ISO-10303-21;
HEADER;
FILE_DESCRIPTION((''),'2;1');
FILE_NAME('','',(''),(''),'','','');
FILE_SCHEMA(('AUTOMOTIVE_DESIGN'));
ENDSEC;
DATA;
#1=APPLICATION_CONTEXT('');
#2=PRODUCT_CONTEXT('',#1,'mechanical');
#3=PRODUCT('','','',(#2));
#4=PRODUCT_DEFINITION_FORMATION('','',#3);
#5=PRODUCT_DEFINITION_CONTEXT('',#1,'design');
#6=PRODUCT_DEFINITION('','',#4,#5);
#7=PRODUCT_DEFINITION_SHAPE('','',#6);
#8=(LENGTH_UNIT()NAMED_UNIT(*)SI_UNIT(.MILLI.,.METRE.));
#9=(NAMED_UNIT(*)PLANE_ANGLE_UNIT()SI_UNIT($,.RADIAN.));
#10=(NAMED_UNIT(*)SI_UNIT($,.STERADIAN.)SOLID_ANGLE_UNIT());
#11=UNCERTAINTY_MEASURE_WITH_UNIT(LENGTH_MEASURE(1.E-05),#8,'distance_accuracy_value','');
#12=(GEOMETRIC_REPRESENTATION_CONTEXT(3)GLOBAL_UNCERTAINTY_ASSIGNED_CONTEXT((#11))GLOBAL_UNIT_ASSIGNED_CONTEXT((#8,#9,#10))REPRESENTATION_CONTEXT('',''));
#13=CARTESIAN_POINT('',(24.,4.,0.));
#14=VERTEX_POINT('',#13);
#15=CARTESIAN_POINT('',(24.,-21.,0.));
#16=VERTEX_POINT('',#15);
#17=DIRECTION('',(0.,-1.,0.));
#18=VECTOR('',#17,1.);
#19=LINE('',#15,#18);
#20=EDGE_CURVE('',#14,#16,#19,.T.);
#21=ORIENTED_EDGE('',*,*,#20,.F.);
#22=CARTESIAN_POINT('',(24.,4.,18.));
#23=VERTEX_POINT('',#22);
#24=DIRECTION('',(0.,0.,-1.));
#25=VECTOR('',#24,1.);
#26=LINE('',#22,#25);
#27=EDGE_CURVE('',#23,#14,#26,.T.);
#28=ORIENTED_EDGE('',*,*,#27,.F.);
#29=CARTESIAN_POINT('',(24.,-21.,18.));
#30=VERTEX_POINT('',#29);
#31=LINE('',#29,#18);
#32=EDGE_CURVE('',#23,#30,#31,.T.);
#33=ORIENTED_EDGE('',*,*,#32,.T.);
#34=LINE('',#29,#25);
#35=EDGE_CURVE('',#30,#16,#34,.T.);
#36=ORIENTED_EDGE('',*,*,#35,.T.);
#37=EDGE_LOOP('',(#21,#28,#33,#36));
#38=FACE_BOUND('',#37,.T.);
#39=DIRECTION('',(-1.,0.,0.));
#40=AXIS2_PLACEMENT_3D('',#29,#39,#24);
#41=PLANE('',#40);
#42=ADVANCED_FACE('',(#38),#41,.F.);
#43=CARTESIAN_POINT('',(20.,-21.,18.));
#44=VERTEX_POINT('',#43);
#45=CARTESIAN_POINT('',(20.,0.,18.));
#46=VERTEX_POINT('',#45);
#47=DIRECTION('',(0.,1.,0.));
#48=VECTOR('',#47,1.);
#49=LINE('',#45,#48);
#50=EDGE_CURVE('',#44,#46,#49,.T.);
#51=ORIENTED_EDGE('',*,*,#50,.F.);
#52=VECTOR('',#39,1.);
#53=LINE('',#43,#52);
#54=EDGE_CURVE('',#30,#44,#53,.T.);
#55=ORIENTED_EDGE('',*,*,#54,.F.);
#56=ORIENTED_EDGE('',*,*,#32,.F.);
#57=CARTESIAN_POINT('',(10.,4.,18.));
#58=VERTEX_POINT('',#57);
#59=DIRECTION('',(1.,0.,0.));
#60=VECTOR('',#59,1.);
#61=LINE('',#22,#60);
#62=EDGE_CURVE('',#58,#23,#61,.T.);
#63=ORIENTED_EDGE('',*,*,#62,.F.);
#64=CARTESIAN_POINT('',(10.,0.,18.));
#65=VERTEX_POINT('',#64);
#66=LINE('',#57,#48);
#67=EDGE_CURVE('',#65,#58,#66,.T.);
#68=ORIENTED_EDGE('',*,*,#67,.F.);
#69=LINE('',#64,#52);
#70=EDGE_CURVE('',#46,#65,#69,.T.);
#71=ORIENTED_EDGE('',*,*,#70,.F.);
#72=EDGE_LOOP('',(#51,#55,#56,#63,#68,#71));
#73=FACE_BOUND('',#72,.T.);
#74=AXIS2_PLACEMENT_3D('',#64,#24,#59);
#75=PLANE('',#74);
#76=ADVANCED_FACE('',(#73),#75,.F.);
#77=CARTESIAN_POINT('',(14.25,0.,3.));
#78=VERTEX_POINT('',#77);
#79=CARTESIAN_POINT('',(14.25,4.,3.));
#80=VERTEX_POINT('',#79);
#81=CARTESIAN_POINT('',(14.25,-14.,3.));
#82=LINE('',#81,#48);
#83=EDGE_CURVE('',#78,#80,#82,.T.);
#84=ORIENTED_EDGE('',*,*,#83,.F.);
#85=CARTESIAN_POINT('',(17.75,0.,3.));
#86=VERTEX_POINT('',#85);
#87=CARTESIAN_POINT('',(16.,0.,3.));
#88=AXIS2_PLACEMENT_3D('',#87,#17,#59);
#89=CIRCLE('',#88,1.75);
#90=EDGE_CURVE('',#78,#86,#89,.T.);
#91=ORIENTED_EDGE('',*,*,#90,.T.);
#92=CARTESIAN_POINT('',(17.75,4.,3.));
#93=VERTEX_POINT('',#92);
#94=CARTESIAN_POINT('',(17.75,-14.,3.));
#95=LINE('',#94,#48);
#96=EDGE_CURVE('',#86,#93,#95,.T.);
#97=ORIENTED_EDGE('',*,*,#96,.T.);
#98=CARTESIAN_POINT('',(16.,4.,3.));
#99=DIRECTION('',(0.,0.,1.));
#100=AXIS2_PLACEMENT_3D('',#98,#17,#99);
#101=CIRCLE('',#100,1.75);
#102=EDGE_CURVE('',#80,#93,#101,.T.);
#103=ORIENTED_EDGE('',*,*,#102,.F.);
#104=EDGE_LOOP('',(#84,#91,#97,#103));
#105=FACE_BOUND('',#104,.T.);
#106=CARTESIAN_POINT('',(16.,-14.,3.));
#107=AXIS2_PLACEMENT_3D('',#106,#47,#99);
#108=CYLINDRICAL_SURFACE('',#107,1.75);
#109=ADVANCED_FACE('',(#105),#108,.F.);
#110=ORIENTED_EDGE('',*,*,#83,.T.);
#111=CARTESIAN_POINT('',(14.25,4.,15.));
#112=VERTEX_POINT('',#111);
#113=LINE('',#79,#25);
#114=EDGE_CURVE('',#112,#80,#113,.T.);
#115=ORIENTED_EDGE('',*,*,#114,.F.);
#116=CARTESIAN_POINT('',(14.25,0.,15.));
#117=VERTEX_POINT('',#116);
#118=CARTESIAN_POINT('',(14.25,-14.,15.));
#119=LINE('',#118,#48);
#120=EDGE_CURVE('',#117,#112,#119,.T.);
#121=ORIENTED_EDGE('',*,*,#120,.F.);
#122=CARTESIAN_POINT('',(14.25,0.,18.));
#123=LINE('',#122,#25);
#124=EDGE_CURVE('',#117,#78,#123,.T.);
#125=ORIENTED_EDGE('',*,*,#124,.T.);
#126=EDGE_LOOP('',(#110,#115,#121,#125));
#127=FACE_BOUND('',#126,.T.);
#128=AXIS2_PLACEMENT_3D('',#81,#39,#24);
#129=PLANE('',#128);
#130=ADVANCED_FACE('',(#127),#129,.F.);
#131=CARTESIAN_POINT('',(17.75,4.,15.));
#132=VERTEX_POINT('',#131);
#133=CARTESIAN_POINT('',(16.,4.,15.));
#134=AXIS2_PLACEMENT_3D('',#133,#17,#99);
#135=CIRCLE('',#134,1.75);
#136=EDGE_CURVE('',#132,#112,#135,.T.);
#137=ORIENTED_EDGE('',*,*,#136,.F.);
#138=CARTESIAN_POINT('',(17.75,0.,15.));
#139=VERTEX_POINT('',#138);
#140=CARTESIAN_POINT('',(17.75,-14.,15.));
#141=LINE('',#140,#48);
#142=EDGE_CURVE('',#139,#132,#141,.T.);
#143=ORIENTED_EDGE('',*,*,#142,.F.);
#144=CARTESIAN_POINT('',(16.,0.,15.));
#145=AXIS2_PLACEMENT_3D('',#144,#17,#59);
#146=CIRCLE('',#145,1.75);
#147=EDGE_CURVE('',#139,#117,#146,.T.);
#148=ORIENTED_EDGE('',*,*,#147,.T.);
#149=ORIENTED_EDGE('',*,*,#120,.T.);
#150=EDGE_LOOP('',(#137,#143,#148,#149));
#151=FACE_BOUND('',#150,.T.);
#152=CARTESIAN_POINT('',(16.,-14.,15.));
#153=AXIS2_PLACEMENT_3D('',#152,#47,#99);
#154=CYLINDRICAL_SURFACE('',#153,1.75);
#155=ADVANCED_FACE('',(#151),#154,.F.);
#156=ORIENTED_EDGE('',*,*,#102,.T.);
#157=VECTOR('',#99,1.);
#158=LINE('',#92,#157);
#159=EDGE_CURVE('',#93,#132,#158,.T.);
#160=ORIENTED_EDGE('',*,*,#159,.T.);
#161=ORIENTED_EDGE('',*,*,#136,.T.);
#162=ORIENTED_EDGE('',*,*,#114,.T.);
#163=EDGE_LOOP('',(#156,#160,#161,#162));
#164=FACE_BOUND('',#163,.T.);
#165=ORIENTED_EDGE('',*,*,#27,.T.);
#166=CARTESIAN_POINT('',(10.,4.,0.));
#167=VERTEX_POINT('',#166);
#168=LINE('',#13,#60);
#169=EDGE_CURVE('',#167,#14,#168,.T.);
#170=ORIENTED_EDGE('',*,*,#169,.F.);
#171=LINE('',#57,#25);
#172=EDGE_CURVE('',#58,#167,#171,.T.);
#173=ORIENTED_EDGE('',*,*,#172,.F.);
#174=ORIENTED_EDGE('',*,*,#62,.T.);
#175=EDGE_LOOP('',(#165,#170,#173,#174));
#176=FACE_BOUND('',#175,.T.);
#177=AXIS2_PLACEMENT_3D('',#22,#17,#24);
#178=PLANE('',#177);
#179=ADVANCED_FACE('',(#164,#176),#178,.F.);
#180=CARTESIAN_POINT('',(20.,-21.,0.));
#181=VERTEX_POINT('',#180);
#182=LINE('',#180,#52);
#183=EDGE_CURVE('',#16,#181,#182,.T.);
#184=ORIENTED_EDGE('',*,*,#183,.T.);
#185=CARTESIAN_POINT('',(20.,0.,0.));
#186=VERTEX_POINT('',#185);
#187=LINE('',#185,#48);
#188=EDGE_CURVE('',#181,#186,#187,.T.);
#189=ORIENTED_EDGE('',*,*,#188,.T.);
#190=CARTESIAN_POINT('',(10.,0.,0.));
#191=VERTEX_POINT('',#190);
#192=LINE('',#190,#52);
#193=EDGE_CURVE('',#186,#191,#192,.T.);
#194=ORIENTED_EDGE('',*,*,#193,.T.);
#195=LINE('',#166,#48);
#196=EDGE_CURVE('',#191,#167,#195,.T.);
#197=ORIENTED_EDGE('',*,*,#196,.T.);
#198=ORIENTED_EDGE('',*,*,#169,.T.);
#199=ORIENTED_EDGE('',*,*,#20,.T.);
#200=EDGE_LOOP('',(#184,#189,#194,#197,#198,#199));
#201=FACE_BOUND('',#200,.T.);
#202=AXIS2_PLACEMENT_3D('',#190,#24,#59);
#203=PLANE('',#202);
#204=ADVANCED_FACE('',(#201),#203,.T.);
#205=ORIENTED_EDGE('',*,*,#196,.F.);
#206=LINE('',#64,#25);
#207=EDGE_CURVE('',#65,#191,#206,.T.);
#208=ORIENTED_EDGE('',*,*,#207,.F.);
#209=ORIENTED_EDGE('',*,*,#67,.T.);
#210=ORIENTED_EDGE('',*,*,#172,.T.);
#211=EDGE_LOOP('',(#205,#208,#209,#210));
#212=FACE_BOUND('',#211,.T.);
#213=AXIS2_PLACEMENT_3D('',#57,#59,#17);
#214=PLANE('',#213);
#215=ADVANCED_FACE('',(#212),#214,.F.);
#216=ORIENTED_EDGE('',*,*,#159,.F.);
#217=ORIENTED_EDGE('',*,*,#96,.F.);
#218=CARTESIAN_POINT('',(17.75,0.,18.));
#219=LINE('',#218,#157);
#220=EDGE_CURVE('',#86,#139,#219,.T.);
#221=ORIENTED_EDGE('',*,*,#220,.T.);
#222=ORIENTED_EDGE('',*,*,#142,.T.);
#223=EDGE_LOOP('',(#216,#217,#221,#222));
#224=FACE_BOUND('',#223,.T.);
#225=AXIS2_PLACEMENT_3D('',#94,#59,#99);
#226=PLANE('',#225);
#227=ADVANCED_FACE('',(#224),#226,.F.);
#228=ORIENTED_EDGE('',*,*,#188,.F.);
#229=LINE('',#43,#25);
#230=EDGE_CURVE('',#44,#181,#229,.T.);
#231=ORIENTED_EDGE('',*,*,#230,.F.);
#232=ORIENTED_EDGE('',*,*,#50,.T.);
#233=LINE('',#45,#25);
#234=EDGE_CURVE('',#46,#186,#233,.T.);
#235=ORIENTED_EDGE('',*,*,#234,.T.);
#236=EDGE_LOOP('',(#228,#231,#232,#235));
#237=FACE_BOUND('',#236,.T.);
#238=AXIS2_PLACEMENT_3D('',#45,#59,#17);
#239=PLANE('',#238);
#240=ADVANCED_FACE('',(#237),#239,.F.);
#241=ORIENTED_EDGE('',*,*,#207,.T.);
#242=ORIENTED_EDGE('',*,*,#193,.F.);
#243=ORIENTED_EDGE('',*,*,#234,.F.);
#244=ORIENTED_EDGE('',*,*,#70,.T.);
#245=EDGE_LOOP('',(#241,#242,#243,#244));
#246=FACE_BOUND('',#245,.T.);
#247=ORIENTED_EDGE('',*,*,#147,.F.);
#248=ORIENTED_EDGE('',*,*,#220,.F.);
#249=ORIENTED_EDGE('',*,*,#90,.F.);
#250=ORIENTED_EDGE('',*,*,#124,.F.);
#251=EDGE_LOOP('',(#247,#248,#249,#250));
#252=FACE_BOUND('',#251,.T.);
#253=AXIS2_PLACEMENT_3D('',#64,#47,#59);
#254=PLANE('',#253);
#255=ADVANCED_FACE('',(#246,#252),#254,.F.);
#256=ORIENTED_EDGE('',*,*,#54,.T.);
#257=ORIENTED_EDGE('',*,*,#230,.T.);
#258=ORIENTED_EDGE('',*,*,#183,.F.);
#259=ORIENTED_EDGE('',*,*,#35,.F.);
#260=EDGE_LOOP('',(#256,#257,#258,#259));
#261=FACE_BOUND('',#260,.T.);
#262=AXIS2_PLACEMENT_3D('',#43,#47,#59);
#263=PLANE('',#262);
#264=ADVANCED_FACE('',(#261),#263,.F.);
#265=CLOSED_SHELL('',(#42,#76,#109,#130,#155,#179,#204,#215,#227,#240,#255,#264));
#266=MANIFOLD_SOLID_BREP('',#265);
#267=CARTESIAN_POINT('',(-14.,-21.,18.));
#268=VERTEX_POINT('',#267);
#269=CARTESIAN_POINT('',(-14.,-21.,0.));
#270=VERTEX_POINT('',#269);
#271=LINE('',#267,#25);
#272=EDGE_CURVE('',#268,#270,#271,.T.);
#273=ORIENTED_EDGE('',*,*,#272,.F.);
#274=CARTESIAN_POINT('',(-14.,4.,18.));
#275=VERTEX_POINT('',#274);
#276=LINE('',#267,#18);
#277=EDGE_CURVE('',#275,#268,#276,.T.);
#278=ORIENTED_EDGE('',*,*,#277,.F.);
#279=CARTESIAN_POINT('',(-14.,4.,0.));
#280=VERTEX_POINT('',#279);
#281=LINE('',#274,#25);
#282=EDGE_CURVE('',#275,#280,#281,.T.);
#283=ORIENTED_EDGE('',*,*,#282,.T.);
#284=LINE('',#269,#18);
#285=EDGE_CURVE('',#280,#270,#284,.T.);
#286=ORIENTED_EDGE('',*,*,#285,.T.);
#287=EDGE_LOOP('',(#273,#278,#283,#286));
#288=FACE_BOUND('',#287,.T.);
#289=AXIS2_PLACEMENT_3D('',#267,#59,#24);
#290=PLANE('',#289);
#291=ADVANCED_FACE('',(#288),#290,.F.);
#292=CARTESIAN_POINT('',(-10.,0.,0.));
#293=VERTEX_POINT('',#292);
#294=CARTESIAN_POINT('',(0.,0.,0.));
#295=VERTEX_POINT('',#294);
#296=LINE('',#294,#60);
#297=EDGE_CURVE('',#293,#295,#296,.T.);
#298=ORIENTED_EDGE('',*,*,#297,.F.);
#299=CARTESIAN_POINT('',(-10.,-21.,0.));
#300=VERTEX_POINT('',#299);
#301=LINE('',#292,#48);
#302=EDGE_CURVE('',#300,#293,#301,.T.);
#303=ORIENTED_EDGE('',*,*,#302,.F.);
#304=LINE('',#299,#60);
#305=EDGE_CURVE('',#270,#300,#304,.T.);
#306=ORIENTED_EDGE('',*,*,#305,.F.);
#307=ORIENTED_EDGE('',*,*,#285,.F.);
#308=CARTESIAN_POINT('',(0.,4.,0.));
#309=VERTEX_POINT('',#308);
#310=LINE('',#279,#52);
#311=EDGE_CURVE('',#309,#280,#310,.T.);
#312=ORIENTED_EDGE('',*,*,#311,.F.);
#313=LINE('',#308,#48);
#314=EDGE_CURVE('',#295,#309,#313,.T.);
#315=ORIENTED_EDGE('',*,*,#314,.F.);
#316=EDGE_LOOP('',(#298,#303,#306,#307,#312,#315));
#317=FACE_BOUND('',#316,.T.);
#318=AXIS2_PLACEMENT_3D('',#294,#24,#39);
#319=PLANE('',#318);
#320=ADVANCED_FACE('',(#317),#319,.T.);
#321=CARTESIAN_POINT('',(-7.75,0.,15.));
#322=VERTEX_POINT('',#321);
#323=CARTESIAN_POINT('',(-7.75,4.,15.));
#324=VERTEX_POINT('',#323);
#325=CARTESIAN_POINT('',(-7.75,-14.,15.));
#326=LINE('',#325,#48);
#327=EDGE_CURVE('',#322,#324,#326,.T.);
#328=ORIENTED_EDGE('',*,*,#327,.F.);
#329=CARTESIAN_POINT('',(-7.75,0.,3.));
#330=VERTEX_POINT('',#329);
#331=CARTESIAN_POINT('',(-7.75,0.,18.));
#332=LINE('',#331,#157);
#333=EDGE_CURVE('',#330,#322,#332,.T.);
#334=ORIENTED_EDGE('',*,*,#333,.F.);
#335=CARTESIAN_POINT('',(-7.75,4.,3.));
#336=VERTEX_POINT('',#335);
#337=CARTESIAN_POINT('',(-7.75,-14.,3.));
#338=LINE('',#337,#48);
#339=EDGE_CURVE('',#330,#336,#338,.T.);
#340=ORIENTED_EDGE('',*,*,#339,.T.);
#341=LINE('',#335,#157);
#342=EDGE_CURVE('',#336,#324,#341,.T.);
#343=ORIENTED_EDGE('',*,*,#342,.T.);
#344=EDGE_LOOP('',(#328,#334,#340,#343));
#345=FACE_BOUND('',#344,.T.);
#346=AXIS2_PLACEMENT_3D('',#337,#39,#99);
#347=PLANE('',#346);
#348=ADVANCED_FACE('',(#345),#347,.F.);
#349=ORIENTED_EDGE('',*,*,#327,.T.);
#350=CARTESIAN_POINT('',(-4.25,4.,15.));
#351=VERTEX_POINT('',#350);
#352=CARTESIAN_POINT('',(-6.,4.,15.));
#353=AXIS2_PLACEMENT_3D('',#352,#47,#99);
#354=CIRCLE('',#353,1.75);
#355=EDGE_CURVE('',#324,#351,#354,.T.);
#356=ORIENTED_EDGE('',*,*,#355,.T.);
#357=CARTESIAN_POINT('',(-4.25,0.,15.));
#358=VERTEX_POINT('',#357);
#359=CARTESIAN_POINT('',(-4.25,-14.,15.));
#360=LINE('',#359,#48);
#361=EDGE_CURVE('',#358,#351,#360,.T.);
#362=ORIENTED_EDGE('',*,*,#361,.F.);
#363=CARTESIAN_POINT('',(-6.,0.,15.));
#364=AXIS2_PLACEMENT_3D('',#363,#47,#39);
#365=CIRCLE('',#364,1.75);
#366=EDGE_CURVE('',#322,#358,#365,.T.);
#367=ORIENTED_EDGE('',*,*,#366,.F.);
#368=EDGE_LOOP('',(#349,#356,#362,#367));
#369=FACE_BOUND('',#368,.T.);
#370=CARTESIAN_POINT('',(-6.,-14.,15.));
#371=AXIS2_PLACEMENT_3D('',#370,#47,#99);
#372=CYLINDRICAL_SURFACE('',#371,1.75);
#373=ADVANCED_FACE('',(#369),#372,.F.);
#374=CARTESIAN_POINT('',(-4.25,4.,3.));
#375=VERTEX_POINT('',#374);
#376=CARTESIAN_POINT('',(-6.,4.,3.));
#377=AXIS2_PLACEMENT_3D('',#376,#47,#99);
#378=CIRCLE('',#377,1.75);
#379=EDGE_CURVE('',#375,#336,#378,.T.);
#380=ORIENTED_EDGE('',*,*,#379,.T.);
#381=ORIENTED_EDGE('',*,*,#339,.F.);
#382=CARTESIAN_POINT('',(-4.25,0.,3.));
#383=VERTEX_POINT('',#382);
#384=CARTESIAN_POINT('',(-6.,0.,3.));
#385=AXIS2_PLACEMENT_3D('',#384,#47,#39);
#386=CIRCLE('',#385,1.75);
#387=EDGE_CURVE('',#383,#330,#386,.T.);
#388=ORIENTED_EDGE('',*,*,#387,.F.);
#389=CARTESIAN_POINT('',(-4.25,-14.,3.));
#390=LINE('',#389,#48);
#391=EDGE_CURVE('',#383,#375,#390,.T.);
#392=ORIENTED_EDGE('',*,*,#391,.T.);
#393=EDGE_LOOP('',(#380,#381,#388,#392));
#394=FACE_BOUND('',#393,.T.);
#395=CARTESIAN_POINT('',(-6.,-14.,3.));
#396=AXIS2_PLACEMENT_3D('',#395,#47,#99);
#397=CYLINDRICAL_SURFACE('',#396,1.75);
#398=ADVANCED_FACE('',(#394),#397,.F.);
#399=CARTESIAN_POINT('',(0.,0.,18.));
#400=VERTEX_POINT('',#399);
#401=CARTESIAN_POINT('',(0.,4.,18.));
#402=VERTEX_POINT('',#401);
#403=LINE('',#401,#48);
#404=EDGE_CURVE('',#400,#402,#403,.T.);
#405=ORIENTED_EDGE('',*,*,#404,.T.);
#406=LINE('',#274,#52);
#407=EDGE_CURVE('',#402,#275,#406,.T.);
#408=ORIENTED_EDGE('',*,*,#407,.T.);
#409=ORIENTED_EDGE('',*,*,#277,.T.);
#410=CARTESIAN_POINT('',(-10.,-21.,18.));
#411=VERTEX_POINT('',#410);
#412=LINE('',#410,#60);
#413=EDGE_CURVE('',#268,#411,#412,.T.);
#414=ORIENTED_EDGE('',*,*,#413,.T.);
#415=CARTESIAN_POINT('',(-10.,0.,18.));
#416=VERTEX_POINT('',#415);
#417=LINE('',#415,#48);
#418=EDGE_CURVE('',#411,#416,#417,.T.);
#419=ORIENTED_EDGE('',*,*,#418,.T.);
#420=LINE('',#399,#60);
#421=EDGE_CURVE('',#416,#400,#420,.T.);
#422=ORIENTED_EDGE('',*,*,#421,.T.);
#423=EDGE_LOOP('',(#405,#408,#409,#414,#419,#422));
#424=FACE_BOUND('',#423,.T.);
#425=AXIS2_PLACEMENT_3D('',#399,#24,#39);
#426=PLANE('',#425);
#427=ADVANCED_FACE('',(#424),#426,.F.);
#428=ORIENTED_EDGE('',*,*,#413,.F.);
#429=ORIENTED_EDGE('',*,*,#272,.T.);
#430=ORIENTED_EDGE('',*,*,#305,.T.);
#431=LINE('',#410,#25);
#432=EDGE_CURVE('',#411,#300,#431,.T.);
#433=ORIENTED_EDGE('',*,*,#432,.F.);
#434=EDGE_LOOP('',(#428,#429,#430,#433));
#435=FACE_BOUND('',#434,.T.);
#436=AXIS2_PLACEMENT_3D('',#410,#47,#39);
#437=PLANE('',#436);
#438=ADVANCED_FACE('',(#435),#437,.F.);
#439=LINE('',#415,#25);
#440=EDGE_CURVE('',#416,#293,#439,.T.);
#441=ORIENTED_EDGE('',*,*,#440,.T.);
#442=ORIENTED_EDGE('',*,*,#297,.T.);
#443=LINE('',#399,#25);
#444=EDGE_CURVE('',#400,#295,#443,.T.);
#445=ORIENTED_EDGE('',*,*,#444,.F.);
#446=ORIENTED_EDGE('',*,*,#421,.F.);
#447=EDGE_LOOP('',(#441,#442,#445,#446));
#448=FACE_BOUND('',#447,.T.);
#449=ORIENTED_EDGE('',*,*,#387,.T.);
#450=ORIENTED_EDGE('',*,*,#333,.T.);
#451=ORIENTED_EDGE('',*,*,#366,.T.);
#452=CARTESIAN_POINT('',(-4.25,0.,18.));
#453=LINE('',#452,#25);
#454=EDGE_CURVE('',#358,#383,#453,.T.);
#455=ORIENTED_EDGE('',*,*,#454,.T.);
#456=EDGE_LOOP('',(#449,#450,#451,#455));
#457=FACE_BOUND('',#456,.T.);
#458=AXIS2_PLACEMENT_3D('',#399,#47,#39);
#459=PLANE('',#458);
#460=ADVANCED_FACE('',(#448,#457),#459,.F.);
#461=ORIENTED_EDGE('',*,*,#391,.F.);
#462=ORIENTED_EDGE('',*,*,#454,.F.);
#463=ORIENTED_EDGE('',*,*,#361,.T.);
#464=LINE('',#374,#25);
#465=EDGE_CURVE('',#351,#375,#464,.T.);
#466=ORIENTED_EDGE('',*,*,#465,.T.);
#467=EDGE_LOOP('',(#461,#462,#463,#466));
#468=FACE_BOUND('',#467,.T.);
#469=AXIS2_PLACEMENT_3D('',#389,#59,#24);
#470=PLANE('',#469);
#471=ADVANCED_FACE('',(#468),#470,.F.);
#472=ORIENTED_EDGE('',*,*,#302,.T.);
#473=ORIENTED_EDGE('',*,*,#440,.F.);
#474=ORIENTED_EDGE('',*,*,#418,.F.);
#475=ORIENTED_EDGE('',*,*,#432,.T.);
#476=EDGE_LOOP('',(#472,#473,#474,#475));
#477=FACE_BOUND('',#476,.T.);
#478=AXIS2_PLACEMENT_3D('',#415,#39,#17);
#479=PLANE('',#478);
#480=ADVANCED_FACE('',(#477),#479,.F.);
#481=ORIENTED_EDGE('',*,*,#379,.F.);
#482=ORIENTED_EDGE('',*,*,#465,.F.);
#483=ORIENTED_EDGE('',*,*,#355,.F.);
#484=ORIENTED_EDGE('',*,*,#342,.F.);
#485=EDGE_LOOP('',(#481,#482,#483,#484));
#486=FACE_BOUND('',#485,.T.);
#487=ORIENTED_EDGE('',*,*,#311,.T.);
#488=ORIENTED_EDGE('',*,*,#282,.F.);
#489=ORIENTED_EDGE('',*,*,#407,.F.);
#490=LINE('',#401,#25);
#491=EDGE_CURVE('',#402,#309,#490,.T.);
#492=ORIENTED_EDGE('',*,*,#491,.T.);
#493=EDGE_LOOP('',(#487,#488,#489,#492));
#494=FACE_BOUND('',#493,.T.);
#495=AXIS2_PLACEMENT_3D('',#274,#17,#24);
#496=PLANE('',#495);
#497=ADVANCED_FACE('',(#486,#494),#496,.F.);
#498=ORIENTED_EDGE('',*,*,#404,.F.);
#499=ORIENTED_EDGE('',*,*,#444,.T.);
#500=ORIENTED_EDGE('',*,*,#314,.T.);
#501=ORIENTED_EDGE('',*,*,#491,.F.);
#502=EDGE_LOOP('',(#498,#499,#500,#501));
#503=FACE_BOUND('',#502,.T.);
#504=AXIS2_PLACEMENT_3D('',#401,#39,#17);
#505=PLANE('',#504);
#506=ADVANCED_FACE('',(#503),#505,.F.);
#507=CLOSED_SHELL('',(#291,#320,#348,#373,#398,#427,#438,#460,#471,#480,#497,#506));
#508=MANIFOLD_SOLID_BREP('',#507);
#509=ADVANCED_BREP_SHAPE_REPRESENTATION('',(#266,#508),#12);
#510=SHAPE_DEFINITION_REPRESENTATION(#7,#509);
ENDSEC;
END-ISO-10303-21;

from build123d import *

# Parameters (mm, degrees)
BOSS_EXTRUDE1_DEPTH = 18
CUT_EXTRUDE1_DEPTH  = 18


with BuildPart() as part:
    # Sketch2 → Boss-Extrude1 (new body)
    with BuildSketch(Plane.XY):
        Polygon((0, 0), (-10, 0), (-10, -21), (-14, -21), (-14, 4), (0, 4), align=None)
    extrude(amount=BOSS_EXTRUDE1_DEPTH)

    # Sketch3 → Cut-Extrude1 (cut)
    with BuildSketch(Plane(origin=(0, 4, 0), x_dir=(1, 0, 0), z_dir=(0, 1, 0))):
        with BuildLine():
            Line((-4.25, -3), (-4.25, -15))
            ThreePointArc((-4.25, -15), (-6, -16.75), (-7.75, -15))
            Line((-7.75, -15), (-7.75, -3))
            ThreePointArc((-7.75, -3), (-6, -1.25), (-4.25, -3))
        make_face()
    extrude(amount=-CUT_EXTRUDE1_DEPTH, mode=Mode.SUBTRACT)


with BuildPart() as body_2:
    # Mirror2: mirrored copy
    add(part.part.mirror(Plane(origin=(5, 0, 0), x_dir=(0, 0, 1), z_dir=(1, 0, 0))))


solid = Compound([part.part, body_2.part])
